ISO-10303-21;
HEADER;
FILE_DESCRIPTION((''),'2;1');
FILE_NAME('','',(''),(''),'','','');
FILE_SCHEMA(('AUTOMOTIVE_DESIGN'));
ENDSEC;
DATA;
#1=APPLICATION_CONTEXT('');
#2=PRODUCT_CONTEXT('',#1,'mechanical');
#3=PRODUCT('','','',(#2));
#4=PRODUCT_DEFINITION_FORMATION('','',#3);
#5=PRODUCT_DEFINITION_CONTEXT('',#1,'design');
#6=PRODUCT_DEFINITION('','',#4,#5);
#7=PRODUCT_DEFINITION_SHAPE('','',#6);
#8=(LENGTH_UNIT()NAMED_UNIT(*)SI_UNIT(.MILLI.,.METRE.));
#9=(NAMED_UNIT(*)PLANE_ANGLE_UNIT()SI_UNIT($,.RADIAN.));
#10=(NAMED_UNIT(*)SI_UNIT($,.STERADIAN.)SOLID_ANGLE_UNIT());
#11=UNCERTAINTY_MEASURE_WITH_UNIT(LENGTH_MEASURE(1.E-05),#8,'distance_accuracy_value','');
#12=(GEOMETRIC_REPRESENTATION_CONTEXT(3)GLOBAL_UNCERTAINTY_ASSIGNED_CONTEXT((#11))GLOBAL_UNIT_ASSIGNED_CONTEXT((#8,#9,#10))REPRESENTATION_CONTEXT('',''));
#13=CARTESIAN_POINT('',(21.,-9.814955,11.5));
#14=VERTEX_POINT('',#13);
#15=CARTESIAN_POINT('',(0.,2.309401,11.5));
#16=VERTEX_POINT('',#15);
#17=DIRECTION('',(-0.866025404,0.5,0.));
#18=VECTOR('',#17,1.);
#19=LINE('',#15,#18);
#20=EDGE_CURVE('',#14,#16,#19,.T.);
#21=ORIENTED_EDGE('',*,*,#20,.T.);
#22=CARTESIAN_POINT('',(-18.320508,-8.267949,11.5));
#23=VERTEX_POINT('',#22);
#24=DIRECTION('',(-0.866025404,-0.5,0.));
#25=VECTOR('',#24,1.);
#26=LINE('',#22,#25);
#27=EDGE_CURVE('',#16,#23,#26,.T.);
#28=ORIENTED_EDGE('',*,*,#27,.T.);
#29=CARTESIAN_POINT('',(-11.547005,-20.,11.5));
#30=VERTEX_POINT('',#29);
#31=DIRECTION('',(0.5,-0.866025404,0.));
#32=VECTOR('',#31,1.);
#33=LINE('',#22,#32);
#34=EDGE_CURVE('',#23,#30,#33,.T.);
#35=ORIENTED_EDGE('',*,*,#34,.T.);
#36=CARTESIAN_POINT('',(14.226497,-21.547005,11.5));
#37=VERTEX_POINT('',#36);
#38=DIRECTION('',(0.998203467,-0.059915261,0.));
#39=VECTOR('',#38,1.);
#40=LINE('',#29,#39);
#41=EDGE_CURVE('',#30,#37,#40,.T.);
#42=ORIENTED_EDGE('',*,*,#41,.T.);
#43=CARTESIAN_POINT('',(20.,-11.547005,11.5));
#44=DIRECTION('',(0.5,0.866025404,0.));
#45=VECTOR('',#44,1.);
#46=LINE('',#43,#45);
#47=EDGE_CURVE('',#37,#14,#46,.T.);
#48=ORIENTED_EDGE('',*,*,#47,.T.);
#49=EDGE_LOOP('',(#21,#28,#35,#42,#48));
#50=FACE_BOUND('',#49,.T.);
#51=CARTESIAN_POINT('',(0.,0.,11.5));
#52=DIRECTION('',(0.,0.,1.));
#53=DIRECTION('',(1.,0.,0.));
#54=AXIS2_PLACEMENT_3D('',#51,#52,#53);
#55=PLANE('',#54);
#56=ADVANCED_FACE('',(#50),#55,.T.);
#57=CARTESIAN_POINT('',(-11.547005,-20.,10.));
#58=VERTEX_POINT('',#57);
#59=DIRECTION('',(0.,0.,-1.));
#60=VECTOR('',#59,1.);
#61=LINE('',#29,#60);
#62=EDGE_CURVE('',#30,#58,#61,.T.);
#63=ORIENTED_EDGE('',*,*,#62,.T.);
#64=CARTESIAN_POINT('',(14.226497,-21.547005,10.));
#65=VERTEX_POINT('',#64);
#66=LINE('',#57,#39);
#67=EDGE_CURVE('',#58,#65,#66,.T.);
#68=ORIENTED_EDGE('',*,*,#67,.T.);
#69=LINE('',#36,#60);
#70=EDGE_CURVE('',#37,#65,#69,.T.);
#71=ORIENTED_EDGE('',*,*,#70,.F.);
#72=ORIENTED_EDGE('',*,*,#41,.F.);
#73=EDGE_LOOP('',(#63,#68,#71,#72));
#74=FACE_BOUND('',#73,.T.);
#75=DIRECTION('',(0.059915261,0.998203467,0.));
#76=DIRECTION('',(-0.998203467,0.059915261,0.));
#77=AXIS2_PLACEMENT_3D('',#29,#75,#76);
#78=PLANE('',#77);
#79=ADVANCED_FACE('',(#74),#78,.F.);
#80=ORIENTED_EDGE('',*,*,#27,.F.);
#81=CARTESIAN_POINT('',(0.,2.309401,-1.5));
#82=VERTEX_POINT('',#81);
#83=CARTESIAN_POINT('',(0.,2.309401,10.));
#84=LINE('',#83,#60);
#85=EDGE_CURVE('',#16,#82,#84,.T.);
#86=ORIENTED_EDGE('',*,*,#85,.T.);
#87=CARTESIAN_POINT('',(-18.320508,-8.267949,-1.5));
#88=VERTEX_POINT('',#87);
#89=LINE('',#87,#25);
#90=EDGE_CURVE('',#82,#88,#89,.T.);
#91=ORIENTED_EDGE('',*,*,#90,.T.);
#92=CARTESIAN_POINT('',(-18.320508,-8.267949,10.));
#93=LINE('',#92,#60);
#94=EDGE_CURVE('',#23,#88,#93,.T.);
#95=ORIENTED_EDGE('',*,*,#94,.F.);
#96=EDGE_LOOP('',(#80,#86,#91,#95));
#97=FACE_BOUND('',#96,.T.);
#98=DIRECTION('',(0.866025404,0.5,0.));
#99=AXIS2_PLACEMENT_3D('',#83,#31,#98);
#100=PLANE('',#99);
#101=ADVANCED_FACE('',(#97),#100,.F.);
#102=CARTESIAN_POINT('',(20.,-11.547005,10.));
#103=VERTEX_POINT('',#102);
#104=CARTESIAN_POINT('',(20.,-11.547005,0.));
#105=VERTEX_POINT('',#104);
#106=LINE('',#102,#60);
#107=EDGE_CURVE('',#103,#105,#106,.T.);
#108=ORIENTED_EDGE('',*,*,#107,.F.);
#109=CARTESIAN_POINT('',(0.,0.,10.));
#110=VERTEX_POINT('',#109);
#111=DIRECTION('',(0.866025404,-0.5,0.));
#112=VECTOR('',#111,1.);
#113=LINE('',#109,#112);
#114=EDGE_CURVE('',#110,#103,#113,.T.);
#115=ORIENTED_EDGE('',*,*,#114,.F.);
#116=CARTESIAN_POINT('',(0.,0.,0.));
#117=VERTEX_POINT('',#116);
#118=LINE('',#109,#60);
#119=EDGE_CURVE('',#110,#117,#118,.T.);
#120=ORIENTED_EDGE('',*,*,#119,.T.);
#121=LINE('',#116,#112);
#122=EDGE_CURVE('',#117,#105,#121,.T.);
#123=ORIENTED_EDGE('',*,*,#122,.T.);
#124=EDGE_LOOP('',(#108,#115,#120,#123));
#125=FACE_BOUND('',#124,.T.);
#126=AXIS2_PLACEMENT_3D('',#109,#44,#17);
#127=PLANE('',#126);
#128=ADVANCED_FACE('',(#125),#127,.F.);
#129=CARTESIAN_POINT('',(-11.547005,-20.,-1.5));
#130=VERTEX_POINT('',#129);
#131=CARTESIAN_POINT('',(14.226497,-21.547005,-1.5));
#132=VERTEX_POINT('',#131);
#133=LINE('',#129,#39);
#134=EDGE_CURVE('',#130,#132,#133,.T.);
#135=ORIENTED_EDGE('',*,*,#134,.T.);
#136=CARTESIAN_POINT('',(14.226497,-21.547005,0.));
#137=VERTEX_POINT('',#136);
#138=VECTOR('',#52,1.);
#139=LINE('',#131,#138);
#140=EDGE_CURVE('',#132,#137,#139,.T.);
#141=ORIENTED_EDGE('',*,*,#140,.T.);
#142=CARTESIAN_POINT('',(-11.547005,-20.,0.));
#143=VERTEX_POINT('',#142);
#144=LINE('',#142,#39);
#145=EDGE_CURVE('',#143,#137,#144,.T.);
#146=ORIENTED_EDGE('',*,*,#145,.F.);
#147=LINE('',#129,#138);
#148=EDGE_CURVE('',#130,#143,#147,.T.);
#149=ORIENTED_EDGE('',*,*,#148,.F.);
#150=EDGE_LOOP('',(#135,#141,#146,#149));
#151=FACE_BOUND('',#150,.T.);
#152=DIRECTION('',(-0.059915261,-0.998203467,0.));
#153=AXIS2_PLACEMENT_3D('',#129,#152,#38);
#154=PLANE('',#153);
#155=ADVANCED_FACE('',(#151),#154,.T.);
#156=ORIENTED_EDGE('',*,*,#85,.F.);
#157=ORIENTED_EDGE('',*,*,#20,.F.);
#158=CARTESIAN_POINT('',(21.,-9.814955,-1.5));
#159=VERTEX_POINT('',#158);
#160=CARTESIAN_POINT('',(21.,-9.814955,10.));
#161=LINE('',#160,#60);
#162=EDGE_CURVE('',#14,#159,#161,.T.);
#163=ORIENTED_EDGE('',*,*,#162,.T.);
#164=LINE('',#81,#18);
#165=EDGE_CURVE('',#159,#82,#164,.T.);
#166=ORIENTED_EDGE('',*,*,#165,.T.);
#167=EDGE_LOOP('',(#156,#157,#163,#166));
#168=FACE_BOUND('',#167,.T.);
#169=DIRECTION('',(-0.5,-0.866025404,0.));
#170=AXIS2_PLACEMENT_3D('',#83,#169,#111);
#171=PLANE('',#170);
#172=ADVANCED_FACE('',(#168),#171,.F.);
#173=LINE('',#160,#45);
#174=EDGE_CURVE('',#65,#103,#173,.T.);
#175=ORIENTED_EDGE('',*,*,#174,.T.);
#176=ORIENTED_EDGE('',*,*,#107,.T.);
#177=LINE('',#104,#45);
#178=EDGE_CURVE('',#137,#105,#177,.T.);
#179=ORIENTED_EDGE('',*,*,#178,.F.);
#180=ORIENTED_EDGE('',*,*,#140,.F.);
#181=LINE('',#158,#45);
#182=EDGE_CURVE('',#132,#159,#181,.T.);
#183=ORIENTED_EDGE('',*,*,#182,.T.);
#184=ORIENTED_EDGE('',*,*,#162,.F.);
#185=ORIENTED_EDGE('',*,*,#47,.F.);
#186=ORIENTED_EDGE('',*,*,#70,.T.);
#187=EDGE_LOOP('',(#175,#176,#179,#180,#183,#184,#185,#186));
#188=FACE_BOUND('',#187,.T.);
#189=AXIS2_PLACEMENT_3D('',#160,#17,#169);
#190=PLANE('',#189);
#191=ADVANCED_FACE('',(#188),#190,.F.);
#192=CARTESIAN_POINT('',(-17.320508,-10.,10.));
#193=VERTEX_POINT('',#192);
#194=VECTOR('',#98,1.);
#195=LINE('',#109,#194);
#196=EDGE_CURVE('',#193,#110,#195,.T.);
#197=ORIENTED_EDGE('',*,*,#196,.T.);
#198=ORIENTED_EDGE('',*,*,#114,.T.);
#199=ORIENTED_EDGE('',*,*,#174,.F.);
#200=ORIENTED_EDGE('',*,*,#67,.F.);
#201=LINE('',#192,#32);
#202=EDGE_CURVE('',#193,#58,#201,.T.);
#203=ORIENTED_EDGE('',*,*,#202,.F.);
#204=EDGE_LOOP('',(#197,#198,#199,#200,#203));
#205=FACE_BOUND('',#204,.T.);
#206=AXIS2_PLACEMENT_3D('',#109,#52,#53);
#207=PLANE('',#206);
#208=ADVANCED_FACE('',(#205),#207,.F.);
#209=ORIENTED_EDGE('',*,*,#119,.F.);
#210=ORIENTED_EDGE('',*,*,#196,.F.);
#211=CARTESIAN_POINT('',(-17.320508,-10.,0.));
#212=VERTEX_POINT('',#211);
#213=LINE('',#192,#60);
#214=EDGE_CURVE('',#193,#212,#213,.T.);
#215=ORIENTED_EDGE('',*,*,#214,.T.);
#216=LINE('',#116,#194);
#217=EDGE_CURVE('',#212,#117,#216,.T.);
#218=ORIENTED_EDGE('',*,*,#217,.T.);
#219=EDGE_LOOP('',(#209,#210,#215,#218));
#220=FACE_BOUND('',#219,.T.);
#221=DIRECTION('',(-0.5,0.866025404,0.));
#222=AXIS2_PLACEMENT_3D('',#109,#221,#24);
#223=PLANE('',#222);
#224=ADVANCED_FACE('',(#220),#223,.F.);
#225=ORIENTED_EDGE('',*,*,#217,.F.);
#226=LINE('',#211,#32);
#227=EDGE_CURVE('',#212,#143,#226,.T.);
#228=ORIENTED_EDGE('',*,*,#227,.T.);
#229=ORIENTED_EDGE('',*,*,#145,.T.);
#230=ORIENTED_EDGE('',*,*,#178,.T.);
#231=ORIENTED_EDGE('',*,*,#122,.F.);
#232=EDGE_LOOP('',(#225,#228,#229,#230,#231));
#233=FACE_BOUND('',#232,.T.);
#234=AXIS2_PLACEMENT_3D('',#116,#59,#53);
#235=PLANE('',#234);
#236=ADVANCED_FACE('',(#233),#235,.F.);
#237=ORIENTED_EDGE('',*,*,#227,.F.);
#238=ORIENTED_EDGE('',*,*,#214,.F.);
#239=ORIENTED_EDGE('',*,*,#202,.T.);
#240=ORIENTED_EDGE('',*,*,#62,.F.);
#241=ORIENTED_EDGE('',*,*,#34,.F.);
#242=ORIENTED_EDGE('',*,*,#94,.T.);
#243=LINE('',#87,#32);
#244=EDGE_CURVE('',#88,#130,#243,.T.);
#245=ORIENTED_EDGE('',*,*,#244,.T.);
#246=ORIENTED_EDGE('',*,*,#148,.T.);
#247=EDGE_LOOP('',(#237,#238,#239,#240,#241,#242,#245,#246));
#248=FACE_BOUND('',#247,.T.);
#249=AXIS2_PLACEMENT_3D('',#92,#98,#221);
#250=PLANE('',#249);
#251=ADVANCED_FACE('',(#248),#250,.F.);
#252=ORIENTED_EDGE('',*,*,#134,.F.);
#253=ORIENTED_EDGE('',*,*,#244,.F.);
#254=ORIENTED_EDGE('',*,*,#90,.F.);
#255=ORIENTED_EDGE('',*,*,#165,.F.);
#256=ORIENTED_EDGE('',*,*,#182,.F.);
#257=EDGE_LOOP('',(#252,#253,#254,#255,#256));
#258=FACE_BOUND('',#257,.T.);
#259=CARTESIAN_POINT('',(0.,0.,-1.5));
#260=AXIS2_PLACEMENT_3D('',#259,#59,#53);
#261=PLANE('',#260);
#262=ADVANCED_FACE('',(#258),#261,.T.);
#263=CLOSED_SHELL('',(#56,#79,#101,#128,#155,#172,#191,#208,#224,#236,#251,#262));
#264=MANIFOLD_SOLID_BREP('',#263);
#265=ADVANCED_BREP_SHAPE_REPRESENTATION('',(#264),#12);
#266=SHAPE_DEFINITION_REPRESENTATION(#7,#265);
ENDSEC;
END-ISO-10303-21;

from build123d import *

# Parameters (mm, degrees)
BOSS_EXTRUDE1_DEPTH = 10
BOSS_EXTRUDE2_DEPTH = 1.5


with BuildPart() as part:
    # Sketch1 → Boss-Extrude1 (new body)
    with BuildSketch(Plane.XY):
        Polygon((0, 0), (20, -11.547005384), (21, -9.814954576), (0, 2.309401077), (-18.320508076, -8.267949192), (-17.320508076, -10), align=None)
    extrude(amount=BOSS_EXTRUDE1_DEPTH)

    # Sketch2 → Boss-Extrude2 (add)
    with BuildSketch(Plane.XY.offset(10)):
        Polygon((-18.320508076, -8.267949192), (0, 2.309401077), (21, -9.814954576), (20, -11.547005384), (14.226497308, -21.547005384), (-11.547005384, -20), (-17.320508076, -10), align=None)
    boss_extrude2 = extrude(amount=BOSS_EXTRUDE2_DEPTH)

    # Mirror1: Boss-Extrude2 across plane
    add(boss_extrude2.mirror(Plane(origin=(0, 0, 5), x_dir=(1, 0, 0), z_dir=(0, 0, -1))))


solid = part.part
